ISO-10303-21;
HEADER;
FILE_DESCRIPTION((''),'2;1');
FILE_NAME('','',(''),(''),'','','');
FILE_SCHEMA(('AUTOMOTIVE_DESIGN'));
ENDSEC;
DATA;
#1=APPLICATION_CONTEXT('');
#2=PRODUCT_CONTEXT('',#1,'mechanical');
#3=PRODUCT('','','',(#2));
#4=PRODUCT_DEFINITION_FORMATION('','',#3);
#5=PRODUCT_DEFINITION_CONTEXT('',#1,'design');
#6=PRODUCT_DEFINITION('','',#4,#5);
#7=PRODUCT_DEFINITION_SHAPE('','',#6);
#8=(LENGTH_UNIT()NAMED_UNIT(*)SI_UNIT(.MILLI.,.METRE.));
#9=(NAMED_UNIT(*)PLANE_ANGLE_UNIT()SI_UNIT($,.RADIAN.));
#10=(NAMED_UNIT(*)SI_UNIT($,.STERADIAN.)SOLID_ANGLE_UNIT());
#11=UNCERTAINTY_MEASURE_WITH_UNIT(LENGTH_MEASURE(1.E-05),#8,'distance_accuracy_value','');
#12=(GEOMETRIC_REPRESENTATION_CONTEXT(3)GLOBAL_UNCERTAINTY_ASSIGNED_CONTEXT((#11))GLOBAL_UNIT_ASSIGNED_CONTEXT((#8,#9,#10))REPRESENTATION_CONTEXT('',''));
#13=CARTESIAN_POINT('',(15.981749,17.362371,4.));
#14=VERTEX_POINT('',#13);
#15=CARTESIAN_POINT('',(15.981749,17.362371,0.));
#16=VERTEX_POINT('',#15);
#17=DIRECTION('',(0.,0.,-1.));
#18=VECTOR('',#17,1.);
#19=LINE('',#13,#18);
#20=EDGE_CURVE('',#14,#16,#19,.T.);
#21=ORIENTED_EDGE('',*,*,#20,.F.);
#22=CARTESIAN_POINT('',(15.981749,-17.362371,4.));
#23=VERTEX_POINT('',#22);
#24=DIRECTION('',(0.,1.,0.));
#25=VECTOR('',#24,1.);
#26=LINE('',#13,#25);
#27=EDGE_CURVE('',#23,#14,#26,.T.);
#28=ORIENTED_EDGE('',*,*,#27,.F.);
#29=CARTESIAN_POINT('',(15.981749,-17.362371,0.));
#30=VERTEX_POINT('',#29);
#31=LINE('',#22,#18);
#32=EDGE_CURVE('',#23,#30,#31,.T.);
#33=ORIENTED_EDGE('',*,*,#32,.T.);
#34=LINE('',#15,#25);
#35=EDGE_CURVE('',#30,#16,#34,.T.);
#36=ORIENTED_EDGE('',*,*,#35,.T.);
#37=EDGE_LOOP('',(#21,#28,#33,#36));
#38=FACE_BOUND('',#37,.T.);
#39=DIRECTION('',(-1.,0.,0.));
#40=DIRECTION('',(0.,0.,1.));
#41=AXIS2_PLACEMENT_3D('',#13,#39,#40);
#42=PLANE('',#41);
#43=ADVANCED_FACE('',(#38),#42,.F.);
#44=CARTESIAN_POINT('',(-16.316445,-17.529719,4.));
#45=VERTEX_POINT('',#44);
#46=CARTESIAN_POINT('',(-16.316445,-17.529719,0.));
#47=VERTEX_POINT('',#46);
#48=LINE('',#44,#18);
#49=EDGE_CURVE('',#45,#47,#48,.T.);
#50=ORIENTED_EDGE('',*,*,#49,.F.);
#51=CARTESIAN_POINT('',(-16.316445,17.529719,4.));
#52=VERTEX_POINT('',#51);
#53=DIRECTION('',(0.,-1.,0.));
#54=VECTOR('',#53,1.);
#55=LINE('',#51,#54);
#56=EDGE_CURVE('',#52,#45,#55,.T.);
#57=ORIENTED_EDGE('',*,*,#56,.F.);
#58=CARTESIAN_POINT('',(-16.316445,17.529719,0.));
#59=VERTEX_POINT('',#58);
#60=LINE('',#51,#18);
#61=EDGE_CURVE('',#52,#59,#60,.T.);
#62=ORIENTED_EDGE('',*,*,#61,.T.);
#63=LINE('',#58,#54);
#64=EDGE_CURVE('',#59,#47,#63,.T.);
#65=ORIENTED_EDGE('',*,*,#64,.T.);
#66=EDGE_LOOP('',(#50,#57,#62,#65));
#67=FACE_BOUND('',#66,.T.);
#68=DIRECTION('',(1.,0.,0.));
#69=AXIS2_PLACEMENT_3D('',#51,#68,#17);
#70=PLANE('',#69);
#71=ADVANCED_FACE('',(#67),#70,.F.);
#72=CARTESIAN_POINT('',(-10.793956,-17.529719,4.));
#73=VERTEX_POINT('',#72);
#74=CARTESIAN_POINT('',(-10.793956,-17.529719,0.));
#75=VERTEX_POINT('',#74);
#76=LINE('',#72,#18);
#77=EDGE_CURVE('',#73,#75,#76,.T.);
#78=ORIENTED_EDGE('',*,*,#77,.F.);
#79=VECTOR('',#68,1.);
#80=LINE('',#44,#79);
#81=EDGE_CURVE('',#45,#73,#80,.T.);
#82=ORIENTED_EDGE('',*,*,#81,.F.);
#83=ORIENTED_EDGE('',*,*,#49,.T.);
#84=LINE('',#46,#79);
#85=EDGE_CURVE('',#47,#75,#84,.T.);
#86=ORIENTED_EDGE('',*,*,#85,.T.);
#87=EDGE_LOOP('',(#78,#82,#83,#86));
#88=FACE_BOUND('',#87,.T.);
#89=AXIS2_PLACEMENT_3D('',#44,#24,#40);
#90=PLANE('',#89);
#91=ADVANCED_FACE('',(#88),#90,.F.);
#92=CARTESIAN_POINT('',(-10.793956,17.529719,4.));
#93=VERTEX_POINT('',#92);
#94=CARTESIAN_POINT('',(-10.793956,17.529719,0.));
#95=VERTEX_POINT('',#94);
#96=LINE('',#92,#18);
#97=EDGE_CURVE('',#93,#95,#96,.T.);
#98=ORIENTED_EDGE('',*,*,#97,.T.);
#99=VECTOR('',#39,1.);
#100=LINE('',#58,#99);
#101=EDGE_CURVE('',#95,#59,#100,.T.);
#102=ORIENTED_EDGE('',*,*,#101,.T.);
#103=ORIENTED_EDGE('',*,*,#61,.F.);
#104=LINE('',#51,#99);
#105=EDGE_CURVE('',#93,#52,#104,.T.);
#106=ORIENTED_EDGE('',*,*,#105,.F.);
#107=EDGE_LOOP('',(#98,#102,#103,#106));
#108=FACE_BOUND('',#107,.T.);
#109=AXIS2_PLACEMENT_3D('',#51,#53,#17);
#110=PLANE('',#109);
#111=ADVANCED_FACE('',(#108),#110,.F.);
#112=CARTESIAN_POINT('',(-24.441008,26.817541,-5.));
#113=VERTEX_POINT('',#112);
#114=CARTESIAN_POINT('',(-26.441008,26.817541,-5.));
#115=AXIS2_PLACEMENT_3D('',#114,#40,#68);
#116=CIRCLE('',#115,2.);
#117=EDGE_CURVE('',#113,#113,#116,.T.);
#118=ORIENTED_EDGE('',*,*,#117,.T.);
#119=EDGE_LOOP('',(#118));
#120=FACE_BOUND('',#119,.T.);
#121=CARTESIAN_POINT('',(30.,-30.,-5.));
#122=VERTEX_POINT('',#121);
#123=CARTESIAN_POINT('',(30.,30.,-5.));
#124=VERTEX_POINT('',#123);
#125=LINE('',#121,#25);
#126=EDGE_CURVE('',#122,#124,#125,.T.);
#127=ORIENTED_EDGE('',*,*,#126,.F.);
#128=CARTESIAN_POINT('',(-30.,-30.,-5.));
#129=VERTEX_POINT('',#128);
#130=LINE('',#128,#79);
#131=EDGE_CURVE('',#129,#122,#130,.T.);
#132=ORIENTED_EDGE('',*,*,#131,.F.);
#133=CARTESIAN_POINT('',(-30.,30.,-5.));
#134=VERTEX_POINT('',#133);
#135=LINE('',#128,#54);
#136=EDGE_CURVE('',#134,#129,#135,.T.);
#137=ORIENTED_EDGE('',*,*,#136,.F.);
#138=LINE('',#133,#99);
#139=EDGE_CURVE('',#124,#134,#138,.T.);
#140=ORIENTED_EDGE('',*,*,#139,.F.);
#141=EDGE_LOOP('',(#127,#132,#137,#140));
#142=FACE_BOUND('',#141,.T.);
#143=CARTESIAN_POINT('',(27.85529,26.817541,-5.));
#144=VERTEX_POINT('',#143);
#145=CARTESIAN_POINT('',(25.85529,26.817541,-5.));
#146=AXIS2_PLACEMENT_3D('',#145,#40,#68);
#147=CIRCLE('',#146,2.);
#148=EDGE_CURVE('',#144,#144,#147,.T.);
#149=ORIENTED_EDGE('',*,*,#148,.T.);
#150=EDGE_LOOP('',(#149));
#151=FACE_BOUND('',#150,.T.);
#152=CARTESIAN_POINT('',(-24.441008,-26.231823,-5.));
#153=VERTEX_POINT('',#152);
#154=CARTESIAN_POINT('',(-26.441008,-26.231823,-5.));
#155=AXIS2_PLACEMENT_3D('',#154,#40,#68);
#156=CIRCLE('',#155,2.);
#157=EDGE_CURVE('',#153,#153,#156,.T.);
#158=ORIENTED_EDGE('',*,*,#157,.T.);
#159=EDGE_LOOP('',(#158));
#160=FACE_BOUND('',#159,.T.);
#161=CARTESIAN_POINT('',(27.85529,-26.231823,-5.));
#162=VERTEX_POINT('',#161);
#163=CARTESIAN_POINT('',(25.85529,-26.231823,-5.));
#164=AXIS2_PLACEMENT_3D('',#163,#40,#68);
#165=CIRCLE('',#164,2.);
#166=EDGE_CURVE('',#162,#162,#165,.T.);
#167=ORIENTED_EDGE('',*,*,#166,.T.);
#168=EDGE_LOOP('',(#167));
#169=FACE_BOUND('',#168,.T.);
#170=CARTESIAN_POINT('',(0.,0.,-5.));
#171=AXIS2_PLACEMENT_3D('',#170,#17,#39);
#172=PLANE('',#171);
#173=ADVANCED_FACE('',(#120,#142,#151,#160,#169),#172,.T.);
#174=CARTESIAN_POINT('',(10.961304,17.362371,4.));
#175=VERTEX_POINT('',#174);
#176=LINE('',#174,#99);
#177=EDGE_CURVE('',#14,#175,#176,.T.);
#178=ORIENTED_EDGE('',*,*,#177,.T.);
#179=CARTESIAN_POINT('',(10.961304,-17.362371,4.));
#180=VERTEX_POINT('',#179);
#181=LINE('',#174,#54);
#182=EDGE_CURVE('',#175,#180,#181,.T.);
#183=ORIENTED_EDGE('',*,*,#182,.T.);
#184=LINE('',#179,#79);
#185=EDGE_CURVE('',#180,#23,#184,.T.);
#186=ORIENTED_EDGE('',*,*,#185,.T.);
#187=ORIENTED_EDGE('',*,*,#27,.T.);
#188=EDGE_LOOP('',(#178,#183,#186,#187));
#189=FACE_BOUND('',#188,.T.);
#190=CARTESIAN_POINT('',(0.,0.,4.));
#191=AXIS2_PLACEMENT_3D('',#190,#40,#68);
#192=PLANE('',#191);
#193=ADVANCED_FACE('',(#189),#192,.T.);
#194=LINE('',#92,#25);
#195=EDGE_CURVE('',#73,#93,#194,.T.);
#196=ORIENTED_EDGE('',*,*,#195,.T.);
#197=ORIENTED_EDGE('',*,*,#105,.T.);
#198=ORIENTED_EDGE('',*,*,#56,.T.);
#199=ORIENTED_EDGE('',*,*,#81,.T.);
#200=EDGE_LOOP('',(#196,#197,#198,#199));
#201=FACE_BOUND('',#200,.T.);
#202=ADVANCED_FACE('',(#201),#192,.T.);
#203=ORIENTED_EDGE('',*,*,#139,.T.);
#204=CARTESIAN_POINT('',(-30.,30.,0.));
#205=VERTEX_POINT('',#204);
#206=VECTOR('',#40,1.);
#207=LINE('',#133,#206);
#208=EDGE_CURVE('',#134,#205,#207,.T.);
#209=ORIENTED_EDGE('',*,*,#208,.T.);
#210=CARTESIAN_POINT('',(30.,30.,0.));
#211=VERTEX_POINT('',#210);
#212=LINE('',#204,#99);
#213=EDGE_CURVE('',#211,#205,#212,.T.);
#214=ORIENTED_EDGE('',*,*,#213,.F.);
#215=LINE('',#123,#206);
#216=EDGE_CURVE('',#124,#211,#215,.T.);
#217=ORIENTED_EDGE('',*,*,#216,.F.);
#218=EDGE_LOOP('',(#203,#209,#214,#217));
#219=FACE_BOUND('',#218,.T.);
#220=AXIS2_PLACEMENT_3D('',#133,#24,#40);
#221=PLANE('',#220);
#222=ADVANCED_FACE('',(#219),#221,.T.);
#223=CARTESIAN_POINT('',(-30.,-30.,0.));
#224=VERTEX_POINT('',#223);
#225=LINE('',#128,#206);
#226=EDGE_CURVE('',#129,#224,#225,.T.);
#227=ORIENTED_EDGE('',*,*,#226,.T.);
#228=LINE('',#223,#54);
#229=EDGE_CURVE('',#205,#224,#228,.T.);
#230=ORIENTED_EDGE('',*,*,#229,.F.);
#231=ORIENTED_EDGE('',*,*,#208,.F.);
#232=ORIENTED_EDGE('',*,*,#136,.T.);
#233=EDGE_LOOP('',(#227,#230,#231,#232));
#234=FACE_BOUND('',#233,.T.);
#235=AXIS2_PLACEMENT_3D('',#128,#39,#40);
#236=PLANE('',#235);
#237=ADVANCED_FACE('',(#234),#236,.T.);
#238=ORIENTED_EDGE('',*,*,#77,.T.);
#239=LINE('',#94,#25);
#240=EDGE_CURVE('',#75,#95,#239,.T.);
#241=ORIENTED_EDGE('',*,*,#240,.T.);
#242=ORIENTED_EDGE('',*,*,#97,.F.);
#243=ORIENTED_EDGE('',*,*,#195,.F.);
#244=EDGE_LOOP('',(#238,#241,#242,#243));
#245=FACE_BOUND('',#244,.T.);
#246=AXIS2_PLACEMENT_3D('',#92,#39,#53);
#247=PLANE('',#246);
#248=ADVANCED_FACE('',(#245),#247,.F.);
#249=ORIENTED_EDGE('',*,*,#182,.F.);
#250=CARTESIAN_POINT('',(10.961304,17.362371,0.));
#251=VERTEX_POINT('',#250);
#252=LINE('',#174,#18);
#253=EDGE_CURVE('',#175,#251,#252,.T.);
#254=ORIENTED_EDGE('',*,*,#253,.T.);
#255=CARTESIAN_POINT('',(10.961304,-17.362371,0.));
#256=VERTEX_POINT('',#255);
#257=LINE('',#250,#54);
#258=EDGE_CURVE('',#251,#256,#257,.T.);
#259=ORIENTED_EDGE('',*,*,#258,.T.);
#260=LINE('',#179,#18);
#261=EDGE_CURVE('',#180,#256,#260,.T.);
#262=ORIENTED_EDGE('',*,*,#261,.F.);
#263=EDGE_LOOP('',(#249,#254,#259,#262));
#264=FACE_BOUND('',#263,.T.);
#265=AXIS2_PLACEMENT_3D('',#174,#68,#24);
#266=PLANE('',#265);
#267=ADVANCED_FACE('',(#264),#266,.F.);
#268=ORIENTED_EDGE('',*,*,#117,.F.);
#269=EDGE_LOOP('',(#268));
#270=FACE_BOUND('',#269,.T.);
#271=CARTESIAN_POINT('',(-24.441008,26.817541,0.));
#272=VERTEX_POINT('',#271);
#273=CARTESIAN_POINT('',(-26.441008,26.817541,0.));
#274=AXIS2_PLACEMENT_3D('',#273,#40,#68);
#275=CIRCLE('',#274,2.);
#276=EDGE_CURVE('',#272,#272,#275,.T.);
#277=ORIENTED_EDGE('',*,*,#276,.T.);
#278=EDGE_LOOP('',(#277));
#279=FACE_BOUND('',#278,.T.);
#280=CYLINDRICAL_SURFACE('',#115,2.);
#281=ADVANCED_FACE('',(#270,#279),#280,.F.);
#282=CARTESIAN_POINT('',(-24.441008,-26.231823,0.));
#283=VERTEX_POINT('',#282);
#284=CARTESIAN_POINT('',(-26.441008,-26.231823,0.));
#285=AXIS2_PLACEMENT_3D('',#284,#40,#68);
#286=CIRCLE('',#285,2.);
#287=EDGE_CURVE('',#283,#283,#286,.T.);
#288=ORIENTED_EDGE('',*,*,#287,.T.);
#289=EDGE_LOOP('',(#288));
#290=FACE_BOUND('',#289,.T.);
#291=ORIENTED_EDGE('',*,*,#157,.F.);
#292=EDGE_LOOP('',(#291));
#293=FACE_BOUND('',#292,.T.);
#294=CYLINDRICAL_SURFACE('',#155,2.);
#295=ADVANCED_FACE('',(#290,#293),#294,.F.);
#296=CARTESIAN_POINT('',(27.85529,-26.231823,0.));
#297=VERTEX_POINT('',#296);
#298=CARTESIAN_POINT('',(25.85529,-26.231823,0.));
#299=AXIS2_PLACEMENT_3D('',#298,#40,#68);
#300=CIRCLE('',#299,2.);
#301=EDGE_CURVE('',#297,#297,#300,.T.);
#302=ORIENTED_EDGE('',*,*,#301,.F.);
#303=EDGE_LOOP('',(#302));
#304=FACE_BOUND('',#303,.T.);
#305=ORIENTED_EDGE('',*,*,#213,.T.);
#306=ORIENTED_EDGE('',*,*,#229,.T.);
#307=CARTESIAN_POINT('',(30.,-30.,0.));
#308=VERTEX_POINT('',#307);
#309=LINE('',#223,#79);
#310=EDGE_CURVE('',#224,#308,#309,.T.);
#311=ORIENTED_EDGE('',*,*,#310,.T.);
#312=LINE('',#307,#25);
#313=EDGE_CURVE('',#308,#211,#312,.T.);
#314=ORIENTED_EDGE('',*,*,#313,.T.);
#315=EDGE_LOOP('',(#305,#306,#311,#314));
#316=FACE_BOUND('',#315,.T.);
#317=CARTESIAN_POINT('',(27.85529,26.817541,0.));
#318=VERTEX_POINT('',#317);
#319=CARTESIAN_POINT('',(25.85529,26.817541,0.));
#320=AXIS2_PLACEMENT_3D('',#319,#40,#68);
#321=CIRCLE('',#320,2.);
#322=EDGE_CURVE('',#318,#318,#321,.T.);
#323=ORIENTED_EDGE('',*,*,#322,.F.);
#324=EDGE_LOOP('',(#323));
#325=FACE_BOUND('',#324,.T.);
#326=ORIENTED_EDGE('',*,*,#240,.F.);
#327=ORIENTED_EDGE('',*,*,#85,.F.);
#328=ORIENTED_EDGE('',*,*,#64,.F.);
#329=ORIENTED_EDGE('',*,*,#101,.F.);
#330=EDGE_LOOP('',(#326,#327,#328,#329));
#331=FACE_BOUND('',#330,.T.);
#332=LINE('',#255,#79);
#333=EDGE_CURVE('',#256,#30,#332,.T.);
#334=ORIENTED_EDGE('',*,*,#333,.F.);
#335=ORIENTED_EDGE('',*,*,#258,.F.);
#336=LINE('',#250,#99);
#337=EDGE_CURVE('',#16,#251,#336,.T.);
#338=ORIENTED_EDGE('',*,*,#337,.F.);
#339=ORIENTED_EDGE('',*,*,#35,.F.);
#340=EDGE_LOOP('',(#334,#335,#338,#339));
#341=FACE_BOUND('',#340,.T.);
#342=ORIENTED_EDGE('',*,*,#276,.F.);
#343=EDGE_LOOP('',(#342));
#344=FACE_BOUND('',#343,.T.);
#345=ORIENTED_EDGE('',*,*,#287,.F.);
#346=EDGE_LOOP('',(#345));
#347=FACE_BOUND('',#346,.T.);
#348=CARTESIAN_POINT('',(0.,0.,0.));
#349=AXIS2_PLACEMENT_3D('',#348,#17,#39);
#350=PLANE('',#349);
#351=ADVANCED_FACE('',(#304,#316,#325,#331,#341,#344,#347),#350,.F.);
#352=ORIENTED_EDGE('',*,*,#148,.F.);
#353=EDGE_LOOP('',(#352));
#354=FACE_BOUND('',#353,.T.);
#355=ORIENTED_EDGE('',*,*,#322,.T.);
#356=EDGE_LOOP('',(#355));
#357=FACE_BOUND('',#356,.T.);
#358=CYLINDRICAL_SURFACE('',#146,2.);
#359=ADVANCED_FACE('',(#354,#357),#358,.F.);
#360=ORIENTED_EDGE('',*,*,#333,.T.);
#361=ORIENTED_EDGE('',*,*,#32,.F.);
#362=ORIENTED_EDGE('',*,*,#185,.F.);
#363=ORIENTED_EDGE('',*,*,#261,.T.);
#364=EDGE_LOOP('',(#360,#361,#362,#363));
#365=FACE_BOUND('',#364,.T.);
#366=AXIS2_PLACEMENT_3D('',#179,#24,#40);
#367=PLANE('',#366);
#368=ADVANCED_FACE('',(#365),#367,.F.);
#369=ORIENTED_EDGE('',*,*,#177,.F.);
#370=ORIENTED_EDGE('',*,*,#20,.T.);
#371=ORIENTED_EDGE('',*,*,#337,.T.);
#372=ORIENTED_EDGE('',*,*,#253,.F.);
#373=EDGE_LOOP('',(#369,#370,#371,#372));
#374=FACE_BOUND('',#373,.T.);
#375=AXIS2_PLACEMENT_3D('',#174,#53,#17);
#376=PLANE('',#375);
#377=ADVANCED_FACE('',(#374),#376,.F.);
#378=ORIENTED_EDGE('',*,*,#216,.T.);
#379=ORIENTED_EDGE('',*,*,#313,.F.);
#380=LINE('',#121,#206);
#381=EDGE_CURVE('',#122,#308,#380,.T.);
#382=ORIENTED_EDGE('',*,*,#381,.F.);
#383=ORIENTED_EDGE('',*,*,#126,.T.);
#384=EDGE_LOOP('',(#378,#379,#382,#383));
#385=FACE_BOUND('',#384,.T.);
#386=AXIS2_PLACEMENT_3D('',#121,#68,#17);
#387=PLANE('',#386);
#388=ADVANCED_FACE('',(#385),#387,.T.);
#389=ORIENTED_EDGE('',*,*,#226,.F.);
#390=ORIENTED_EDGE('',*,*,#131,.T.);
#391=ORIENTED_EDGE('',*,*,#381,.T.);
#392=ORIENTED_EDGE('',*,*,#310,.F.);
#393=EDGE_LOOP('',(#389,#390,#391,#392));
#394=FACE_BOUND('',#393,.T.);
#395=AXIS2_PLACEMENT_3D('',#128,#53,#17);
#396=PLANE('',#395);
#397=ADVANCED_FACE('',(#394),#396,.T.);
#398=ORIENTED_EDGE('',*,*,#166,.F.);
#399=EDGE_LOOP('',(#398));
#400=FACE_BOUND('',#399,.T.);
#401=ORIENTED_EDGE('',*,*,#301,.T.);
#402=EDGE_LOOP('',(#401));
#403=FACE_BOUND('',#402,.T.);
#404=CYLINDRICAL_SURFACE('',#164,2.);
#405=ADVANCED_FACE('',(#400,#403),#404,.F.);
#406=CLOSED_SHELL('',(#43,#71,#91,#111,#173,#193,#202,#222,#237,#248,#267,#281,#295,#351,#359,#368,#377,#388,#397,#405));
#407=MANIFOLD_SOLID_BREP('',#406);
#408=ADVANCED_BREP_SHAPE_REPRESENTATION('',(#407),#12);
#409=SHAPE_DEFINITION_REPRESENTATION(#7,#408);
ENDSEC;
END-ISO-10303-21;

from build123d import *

# Parameters (mm, degrees)
SKETCH1_W           = 60
SKETCH1_H           = 60
BOSS_EXTRUDE1_DEPTH = 5
SKETCH2_R           = 2
CUT_EXTRUDE1_DEPTH  = 43.720018727
SKETCH5_R           = 2
CUT_EXTRUDE2_DEPTH  = 43.720018727
SKETCH6_R           = 2
CUT_EXTRUDE3_DEPTH  = 43.720018727
SKETCH7_R           = 2
CUT_EXTRUDE4_DEPTH  = 43.720018727
SKETCH8_W           = 5.522489043
SKETCH8_H           = 35.05943801
BOSS_EXTRUDE2_DEPTH = 4
SKETCH11_W          = 5.020444584
SKETCH11_H          = 34.724741706
BOSS_EXTRUDE3_DEPTH = 4


with BuildPart() as part:
    # Sketch1 → Boss-Extrude1 (new body)
    with BuildSketch(Plane.XY):
        Rectangle(SKETCH1_W, SKETCH1_H)
    extrude(amount=-BOSS_EXTRUDE1_DEPTH)

    # Sketch2 → Cut-Extrude1 (cut, through all)
    with BuildSketch(Plane.XY):
        with Locations((-26.441008142, 26.817541486)):
            Circle(SKETCH2_R)
    extrude(amount=-CUT_EXTRUDE1_DEPTH, mode=Mode.SUBTRACT)

    # Sketch5 → Cut-Extrude2 (cut, through all)
    with BuildSketch(Plane.XY):
        with Locations((-26.441008142, -26.231822951)):
            Circle(SKETCH5_R)
    extrude(amount=-CUT_EXTRUDE2_DEPTH, mode=Mode.SUBTRACT)

    # Sketch6 → Cut-Extrude3 (cut, through all)
    with BuildSketch(Plane.XY):
        with Locations((25.855289607, 26.817541486)):
            Circle(SKETCH6_R)
    extrude(amount=-CUT_EXTRUDE3_DEPTH, mode=Mode.SUBTRACT)

    # Sketch7 → Cut-Extrude4 (cut, through all)
    with BuildSketch(Plane.XY):
        with Locations((25.855289607, -26.231822951)):
            Circle(SKETCH7_R)
    extrude(amount=-CUT_EXTRUDE4_DEPTH, mode=Mode.SUBTRACT)

    # Sketch8 → Boss-Extrude2 (add)
    with BuildSketch(Plane.XY):
        with Locations((-13.555200377, 0)):
            Rectangle(SKETCH8_W, SKETCH8_H)
    extrude(amount=BOSS_EXTRUDE2_DEPTH)

    # Sketch11 → Boss-Extrude3 (add)
    with BuildSketch(Plane.XY):
        with Locations((13.4715263, 0)):
            Rectangle(SKETCH11_W, SKETCH11_H)
    extrude(amount=BOSS_EXTRUDE3_DEPTH)


solid = part.part
